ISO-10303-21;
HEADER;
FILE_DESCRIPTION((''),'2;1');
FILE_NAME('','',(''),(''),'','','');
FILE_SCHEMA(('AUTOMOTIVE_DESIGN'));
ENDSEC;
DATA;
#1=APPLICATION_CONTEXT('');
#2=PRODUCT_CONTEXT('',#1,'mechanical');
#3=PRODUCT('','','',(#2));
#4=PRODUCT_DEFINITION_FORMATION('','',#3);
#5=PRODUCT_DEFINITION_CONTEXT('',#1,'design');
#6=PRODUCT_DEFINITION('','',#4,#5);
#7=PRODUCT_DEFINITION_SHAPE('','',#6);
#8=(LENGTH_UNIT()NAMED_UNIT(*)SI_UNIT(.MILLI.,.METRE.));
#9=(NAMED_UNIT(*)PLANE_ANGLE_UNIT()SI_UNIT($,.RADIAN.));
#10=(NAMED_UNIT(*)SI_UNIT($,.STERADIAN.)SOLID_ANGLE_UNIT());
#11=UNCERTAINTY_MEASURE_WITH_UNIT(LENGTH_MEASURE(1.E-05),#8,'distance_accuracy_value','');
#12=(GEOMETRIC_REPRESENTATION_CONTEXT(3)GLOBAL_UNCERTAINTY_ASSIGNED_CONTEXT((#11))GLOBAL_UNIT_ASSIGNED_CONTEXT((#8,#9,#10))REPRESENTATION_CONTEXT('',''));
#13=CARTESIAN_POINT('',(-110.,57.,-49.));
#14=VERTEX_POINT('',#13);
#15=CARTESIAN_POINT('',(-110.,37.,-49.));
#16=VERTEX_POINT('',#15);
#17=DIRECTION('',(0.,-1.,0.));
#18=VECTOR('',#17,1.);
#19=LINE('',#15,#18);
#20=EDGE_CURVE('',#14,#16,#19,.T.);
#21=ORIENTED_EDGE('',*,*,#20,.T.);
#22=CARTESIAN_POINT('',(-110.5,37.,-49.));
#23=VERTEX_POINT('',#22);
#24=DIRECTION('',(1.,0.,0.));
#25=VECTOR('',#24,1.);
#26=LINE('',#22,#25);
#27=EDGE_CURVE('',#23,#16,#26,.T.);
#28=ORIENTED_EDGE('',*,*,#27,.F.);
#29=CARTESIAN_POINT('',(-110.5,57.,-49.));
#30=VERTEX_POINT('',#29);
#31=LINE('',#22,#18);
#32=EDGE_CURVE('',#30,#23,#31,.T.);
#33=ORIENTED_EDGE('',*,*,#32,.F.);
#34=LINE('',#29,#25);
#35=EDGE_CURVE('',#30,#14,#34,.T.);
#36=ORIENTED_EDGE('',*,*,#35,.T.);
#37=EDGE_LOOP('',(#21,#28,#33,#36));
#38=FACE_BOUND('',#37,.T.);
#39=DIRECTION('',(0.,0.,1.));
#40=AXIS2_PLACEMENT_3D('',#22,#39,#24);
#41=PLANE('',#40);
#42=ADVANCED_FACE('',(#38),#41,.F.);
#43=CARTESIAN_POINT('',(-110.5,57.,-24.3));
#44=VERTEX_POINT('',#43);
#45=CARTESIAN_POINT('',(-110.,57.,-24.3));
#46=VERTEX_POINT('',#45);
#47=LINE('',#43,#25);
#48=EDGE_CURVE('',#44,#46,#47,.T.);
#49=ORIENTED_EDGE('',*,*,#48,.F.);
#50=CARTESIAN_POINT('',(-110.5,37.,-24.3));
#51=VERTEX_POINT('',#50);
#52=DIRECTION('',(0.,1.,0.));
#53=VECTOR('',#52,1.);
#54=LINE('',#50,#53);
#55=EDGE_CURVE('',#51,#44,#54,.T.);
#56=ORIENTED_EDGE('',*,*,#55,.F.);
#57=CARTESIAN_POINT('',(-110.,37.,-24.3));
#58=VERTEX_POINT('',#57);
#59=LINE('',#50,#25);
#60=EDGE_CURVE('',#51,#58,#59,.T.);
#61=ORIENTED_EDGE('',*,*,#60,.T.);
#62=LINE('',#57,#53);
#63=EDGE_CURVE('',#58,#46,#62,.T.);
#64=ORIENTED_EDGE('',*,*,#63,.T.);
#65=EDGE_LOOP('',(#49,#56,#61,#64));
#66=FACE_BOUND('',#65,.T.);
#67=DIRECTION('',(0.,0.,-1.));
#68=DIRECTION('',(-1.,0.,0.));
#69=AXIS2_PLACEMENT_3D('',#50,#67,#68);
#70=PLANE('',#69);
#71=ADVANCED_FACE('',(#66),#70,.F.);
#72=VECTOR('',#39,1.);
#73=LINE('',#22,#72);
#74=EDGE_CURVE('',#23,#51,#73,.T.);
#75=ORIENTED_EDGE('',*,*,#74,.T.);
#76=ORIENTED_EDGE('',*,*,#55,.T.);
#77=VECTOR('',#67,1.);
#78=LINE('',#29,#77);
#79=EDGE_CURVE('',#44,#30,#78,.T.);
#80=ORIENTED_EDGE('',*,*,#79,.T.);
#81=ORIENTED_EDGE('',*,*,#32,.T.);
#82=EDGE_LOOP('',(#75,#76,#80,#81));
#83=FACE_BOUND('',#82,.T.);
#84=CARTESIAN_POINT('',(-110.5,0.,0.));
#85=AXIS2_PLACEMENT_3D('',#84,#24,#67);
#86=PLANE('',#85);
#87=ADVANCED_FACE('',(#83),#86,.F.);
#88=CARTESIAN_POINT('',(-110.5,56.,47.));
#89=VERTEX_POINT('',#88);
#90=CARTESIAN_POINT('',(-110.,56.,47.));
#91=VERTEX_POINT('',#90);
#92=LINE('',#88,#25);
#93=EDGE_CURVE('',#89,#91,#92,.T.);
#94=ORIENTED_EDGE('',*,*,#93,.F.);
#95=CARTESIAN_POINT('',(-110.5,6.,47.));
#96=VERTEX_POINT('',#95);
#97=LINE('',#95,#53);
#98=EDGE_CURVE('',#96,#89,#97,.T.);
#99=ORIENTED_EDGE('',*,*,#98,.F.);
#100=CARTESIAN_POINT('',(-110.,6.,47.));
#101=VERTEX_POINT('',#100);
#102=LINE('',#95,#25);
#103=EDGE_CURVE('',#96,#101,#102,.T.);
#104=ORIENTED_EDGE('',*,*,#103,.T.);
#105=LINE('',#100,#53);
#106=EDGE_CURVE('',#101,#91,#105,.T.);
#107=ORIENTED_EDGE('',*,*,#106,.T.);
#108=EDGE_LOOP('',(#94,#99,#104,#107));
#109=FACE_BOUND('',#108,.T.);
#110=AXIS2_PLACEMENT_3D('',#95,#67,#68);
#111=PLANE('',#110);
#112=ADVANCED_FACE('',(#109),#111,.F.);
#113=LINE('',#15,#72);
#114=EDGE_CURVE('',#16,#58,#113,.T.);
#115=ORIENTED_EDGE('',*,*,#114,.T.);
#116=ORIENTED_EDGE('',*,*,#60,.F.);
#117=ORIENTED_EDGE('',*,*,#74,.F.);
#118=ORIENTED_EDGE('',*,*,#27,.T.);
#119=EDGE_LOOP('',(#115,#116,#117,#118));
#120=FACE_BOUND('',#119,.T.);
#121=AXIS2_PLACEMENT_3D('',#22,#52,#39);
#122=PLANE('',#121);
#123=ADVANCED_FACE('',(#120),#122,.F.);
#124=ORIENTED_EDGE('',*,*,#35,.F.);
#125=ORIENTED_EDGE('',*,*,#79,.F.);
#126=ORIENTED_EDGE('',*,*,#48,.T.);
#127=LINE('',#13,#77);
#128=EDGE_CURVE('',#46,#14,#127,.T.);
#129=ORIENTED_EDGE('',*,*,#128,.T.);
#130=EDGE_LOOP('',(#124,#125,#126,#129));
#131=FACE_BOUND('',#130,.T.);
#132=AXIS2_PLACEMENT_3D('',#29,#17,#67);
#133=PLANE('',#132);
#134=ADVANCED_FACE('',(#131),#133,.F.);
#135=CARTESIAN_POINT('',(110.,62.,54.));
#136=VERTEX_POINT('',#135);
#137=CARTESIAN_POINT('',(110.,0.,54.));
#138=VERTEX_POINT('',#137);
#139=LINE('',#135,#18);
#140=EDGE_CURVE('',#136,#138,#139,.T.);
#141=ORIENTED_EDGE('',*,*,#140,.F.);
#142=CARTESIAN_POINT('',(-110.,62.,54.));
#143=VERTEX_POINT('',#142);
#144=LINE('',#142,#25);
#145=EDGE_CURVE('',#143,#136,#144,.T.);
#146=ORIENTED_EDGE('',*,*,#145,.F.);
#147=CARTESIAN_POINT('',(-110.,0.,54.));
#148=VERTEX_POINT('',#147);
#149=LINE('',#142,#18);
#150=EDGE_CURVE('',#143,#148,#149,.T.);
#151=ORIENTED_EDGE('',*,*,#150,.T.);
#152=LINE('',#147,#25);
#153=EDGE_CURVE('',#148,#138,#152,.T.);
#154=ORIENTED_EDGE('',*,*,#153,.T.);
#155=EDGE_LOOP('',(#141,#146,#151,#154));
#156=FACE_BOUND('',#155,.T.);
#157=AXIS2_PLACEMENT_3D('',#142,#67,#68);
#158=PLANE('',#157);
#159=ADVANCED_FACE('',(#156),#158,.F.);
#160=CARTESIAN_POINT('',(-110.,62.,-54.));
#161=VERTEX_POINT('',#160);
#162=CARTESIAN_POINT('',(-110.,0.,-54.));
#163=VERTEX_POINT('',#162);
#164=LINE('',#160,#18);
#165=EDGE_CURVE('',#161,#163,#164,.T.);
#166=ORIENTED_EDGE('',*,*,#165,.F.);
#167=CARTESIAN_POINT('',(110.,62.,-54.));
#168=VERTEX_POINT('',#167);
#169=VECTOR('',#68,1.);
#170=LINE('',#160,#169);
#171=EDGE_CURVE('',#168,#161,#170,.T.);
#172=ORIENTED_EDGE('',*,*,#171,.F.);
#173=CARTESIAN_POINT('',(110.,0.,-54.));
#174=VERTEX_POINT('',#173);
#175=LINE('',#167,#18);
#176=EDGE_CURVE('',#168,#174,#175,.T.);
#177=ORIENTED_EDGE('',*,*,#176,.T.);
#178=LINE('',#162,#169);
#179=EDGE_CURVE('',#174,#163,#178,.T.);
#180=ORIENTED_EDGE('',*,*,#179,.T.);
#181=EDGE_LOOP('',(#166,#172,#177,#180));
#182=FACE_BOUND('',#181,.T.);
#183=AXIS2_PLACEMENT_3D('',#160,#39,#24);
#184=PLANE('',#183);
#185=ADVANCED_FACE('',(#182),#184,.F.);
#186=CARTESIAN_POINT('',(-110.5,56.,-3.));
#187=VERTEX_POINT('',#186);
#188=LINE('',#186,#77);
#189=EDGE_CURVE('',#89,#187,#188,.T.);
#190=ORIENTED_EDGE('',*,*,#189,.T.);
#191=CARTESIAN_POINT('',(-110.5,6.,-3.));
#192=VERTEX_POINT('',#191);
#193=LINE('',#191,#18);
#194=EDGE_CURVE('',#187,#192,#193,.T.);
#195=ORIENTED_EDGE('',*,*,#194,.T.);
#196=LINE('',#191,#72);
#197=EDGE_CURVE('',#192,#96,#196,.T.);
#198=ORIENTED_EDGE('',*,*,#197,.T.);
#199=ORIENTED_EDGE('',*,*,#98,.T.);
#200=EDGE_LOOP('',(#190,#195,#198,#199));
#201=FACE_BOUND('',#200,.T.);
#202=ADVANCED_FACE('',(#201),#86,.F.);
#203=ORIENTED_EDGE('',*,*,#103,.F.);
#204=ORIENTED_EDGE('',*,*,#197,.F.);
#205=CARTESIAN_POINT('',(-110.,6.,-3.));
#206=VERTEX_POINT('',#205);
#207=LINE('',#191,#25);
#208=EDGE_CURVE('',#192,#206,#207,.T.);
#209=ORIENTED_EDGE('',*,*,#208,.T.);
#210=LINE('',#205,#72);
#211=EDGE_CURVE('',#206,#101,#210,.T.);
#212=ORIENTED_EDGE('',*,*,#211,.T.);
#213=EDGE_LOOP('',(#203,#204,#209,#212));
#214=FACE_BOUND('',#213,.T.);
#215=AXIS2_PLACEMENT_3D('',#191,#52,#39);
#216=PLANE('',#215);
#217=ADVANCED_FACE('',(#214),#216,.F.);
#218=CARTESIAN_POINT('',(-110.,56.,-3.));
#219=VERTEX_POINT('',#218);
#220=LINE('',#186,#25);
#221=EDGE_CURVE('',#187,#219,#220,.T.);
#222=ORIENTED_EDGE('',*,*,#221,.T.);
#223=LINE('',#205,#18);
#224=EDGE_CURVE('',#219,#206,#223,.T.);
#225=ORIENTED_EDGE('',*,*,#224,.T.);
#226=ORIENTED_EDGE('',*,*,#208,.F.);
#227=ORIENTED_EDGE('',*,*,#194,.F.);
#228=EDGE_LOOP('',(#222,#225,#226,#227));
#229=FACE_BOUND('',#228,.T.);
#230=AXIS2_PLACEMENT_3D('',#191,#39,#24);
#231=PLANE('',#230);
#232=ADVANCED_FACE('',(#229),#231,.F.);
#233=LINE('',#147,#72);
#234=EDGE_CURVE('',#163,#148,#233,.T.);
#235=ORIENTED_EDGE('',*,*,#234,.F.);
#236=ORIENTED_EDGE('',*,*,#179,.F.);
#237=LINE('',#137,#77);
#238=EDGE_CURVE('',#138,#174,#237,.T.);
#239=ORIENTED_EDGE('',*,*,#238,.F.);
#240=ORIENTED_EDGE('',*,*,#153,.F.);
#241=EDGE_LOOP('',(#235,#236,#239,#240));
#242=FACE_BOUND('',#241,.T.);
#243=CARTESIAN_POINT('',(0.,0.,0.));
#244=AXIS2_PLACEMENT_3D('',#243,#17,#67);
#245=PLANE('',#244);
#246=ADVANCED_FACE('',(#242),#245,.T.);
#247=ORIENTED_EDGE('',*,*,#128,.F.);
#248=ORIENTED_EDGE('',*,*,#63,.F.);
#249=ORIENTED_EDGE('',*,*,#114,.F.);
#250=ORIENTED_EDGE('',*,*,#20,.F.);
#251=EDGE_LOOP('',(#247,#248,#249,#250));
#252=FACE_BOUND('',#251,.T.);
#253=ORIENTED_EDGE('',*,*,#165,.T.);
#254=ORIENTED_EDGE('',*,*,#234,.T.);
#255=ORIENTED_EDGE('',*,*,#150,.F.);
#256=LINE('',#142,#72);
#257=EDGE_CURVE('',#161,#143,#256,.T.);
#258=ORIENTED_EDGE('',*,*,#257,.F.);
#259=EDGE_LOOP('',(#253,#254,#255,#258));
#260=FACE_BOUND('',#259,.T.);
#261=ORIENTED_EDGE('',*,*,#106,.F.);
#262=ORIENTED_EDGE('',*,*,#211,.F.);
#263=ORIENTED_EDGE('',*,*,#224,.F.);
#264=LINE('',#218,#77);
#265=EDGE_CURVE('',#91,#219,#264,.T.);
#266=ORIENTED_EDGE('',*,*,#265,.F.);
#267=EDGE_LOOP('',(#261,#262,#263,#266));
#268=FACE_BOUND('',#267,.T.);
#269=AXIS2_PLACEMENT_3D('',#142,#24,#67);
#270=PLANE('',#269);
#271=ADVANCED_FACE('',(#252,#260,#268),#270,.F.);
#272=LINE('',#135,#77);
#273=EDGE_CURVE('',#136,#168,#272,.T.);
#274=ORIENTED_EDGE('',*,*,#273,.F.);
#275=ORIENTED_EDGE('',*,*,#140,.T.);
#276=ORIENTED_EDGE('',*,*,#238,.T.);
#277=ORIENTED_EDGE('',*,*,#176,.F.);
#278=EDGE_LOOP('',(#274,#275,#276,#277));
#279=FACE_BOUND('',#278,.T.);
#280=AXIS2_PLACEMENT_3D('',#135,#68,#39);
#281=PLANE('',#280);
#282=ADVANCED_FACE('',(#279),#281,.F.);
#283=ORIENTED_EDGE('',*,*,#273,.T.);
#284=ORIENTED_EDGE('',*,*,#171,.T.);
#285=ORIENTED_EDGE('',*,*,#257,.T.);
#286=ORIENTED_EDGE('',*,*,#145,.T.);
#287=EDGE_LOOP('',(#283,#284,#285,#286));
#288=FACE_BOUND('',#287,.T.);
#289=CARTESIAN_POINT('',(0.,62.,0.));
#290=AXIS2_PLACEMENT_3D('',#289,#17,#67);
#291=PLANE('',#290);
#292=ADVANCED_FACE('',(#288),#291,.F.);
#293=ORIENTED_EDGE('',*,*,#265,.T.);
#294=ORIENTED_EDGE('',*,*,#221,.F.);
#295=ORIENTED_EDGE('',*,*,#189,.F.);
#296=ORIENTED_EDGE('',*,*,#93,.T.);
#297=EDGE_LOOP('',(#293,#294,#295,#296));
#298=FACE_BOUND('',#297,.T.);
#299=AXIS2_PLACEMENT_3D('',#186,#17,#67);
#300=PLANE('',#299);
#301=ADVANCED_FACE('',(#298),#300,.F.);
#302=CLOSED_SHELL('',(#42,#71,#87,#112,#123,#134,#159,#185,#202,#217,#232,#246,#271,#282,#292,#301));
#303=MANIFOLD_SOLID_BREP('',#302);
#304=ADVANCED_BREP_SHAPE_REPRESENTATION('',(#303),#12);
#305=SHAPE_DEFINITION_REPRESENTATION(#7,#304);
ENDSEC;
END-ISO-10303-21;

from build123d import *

# Parameters (mm, degrees)
SZKIC1_W                    = 220
SZKIC1_H                    = 108
DODANIE_WYCI_GNI_CIE1_DEPTH = 62
SZKIC2_W                    = 24.7
SZKIC2_H                    = 20
SZKIC2_W_2                  = 50
SZKIC2_H_2                  = 50
DODANIE_WYCI_GNI_CIE2_DEPTH = 0.5


with BuildPart() as part:
    # Szkic1 → Dodanie-wyciągnięcie1 (new body)
    with BuildSketch(Plane(origin=(0, 0, 0), x_dir=(1, 0, 0), z_dir=(0, 1, 0))):
        Rectangle(SZKIC1_W, SZKIC1_H)
    extrude(amount=DODANIE_WYCI_GNI_CIE1_DEPTH)

    # Szkic2 → Dodanie-wyciągnięcie2 (add)
    with BuildSketch(Plane.ZY.offset(110)):
        with Locations((-36.65, 47)):
            Rectangle(SZKIC2_W, SZKIC2_H)
        with Locations((22, 31)):
            Rectangle(SZKIC2_W_2, SZKIC2_H_2)
    extrude(amount=DODANIE_WYCI_GNI_CIE2_DEPTH)


solid = part.part
